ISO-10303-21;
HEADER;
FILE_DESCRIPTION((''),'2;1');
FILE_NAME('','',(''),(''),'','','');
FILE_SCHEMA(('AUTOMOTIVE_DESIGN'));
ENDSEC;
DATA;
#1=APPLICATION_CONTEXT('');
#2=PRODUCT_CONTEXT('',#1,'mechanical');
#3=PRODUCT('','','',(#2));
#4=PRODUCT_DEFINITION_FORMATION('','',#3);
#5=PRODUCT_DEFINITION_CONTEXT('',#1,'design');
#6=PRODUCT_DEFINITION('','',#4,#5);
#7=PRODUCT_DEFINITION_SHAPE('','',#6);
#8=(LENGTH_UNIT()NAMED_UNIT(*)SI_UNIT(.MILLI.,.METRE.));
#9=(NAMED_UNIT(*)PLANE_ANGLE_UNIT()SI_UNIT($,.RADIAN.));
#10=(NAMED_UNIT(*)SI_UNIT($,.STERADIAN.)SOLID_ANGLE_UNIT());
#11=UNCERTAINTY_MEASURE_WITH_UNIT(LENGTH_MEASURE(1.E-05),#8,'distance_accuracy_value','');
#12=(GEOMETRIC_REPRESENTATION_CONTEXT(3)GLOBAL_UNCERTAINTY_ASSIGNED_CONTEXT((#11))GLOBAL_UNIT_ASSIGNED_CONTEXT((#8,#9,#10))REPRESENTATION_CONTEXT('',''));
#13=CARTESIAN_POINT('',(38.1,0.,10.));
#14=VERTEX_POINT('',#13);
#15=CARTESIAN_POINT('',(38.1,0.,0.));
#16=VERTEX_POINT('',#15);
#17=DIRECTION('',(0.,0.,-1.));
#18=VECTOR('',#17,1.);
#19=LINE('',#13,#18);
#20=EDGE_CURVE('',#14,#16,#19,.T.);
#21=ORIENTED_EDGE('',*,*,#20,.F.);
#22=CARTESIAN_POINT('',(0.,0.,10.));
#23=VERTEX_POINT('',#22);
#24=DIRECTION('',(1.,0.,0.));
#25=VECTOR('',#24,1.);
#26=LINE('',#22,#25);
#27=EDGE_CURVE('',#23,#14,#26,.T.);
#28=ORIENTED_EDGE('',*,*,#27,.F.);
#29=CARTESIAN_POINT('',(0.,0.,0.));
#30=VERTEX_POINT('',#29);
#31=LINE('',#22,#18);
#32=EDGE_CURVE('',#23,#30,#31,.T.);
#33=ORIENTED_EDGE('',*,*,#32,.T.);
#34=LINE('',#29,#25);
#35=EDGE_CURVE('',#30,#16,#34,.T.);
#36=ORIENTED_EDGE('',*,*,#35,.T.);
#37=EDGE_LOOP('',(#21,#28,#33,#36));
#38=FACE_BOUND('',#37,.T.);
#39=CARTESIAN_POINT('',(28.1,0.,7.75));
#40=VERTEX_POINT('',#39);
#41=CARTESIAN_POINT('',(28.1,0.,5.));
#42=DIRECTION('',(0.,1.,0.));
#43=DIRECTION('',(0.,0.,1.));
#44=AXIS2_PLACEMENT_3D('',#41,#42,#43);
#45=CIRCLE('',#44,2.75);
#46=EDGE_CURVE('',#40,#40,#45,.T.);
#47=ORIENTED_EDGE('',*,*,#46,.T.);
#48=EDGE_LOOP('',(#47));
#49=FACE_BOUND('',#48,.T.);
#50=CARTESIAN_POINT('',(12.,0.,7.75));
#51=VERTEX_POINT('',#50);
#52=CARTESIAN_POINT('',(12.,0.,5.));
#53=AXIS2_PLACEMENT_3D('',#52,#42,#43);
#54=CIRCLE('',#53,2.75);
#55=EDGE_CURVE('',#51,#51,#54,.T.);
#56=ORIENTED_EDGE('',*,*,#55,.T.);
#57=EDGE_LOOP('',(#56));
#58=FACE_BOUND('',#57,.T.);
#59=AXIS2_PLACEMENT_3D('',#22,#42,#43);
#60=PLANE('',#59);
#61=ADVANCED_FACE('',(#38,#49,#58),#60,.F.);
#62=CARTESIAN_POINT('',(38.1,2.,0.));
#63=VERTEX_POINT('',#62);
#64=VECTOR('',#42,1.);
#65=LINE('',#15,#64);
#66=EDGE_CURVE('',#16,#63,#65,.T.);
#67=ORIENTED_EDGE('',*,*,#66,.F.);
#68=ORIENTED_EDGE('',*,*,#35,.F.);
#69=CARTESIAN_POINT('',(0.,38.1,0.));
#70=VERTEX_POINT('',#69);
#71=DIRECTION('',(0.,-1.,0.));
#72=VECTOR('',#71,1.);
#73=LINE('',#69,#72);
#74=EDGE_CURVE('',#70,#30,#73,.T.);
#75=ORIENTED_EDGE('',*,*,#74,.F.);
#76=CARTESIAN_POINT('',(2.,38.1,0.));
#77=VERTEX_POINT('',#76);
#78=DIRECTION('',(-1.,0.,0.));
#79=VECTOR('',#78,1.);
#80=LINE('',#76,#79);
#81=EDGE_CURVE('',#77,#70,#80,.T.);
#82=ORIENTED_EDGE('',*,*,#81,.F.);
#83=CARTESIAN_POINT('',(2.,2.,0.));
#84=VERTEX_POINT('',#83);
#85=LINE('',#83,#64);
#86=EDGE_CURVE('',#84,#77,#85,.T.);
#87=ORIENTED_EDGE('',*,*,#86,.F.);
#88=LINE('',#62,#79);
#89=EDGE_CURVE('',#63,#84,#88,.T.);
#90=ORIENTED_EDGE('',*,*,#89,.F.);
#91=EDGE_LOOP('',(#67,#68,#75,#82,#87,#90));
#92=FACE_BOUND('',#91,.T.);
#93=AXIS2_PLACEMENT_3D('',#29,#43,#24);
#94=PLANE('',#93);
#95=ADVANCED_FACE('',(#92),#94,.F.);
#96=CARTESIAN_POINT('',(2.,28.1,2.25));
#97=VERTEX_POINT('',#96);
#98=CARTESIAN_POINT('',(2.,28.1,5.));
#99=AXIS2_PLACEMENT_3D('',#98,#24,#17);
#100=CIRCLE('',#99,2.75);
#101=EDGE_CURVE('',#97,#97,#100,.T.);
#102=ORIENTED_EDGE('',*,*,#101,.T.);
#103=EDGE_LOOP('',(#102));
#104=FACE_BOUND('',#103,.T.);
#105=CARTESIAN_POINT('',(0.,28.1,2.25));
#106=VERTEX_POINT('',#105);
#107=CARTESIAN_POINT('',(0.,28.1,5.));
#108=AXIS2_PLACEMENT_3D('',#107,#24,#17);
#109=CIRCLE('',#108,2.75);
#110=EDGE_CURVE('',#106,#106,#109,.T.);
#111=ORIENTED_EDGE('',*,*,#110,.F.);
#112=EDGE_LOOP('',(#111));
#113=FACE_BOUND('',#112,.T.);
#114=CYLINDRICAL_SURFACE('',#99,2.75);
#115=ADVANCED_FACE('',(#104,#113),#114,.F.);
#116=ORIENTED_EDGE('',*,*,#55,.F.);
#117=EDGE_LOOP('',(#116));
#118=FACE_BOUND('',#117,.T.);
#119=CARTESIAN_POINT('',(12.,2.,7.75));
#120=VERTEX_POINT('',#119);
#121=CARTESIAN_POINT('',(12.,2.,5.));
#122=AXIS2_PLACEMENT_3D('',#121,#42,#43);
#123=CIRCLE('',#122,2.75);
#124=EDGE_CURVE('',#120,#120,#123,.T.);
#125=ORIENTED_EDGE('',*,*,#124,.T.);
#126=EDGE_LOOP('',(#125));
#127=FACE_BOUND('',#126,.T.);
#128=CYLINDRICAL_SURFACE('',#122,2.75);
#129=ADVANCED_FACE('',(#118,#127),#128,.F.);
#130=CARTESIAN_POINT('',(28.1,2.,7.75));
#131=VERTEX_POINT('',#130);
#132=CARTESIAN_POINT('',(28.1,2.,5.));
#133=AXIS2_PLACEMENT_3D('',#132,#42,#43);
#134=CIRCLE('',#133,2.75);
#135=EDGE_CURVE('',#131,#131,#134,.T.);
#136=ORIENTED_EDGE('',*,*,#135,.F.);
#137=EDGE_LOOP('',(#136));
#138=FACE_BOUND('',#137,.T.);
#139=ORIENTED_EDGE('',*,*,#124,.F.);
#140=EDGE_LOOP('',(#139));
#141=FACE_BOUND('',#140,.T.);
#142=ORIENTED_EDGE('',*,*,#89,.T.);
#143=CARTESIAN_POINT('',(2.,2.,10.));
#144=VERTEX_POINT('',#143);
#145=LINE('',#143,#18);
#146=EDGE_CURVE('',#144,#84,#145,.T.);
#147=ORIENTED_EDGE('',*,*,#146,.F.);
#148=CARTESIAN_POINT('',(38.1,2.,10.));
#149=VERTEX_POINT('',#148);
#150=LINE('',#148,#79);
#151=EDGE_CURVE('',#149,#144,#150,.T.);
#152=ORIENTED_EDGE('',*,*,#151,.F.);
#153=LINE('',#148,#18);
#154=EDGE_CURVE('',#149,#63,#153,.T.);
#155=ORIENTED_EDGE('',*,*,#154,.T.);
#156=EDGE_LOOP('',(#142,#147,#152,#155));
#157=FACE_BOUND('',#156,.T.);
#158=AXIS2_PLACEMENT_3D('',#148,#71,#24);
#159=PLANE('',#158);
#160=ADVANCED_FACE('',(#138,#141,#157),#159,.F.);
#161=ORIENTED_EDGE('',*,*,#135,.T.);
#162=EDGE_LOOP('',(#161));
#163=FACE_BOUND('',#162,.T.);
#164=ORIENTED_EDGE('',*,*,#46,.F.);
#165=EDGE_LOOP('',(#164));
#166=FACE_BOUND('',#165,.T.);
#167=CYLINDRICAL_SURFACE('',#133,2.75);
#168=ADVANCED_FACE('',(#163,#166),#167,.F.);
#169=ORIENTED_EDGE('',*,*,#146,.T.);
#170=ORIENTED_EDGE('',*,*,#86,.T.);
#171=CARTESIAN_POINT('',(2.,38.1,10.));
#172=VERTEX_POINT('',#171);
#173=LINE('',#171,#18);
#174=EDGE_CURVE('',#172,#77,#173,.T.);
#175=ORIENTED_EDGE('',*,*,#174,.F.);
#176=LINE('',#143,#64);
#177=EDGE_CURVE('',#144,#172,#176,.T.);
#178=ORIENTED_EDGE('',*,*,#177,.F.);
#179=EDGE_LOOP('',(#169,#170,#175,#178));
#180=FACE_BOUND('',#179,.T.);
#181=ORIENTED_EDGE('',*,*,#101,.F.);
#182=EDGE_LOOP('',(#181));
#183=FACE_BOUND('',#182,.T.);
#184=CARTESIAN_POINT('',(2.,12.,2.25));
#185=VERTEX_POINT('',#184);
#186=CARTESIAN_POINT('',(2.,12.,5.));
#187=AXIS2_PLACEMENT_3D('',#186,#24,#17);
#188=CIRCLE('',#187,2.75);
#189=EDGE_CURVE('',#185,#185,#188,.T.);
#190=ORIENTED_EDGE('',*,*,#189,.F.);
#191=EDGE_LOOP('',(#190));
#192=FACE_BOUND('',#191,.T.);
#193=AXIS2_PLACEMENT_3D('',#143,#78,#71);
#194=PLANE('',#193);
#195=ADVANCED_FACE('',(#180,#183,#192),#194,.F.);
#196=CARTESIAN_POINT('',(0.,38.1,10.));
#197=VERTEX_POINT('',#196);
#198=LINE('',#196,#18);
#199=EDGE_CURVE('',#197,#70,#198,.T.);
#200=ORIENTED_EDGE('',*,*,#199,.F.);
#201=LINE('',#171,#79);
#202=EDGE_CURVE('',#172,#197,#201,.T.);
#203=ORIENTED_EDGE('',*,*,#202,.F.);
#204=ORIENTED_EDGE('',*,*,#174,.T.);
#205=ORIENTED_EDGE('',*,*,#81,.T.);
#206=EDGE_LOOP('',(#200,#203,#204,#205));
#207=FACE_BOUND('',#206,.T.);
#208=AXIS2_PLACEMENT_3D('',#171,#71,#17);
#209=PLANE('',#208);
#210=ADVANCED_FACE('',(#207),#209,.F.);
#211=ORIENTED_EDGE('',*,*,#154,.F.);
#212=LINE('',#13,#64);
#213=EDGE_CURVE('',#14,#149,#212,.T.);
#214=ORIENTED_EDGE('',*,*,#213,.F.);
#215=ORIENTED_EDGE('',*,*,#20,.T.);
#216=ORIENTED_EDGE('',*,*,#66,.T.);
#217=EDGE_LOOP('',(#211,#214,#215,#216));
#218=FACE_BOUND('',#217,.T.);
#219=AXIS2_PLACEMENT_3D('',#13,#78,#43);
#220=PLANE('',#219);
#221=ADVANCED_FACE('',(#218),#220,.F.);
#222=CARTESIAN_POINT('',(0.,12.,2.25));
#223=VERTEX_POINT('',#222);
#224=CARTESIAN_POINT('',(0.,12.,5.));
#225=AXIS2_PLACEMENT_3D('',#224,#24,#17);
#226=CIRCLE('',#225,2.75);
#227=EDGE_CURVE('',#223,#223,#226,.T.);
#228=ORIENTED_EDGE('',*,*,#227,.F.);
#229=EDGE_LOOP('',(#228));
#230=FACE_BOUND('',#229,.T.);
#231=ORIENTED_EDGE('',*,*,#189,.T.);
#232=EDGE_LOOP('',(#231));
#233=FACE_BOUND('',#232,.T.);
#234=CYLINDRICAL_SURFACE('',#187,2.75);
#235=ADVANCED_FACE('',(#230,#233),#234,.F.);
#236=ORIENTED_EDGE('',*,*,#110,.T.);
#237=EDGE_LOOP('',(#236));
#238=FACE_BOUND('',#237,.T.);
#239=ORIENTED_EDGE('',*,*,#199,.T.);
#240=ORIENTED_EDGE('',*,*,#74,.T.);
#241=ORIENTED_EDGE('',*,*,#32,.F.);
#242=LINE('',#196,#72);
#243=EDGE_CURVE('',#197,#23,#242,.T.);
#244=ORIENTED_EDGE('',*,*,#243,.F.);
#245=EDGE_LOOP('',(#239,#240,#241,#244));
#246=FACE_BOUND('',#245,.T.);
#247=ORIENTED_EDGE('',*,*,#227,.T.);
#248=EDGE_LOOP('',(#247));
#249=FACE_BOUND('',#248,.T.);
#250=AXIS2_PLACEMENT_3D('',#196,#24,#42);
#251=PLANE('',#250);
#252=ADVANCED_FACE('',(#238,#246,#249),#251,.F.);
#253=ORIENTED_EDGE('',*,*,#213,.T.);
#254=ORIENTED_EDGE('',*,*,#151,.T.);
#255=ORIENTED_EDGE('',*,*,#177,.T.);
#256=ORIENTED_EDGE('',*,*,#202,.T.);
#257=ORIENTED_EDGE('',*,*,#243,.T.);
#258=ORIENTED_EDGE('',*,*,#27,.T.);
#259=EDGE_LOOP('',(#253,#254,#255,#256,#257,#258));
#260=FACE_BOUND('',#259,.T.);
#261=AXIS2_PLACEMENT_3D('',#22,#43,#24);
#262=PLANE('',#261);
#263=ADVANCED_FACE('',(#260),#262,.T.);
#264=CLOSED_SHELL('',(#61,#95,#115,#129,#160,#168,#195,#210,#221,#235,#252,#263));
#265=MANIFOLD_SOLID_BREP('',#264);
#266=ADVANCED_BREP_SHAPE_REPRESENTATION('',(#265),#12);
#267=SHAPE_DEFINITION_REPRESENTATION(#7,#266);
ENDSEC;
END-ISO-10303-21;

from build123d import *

# Parameters (mm, degrees)
BOSS_EXTRUDE1_DEPTH            = 10
M5_CLEARANCE_HOLE4_D           = 5.5
M5_CLEARANCE_HOLE4_ON_FACE_2_D = 5.5


with BuildPart() as part:
    # Sketch1 → Boss-Extrude1 (new body)
    with BuildSketch(Plane.XY):
        Polygon((0, 0), (38.1, 0), (38.1, 2), (2, 2), (2, 38.1), (0, 38.1), align=None)
    extrude(amount=BOSS_EXTRUDE1_DEPTH)

    # M5 Clearance Hole4 (through all)
    with Locations(Plane(origin=(2, 12, 5), x_dir=(0, 1, 0), z_dir=(1, 0, 0))):
        with Locations((0, 0), (16.1, 0)):
            Hole(M5_CLEARANCE_HOLE4_D / 2)

    # M5 Clearance Hole4 on face 2 (through all)
    with Locations(Plane(origin=(12, 2, 5), x_dir=(0, 0, 1), z_dir=(0, 1, 0))):
        with Locations((0, 0), (0, 16.1)):
            Hole(M5_CLEARANCE_HOLE4_ON_FACE_2_D / 2)


solid = part.part
